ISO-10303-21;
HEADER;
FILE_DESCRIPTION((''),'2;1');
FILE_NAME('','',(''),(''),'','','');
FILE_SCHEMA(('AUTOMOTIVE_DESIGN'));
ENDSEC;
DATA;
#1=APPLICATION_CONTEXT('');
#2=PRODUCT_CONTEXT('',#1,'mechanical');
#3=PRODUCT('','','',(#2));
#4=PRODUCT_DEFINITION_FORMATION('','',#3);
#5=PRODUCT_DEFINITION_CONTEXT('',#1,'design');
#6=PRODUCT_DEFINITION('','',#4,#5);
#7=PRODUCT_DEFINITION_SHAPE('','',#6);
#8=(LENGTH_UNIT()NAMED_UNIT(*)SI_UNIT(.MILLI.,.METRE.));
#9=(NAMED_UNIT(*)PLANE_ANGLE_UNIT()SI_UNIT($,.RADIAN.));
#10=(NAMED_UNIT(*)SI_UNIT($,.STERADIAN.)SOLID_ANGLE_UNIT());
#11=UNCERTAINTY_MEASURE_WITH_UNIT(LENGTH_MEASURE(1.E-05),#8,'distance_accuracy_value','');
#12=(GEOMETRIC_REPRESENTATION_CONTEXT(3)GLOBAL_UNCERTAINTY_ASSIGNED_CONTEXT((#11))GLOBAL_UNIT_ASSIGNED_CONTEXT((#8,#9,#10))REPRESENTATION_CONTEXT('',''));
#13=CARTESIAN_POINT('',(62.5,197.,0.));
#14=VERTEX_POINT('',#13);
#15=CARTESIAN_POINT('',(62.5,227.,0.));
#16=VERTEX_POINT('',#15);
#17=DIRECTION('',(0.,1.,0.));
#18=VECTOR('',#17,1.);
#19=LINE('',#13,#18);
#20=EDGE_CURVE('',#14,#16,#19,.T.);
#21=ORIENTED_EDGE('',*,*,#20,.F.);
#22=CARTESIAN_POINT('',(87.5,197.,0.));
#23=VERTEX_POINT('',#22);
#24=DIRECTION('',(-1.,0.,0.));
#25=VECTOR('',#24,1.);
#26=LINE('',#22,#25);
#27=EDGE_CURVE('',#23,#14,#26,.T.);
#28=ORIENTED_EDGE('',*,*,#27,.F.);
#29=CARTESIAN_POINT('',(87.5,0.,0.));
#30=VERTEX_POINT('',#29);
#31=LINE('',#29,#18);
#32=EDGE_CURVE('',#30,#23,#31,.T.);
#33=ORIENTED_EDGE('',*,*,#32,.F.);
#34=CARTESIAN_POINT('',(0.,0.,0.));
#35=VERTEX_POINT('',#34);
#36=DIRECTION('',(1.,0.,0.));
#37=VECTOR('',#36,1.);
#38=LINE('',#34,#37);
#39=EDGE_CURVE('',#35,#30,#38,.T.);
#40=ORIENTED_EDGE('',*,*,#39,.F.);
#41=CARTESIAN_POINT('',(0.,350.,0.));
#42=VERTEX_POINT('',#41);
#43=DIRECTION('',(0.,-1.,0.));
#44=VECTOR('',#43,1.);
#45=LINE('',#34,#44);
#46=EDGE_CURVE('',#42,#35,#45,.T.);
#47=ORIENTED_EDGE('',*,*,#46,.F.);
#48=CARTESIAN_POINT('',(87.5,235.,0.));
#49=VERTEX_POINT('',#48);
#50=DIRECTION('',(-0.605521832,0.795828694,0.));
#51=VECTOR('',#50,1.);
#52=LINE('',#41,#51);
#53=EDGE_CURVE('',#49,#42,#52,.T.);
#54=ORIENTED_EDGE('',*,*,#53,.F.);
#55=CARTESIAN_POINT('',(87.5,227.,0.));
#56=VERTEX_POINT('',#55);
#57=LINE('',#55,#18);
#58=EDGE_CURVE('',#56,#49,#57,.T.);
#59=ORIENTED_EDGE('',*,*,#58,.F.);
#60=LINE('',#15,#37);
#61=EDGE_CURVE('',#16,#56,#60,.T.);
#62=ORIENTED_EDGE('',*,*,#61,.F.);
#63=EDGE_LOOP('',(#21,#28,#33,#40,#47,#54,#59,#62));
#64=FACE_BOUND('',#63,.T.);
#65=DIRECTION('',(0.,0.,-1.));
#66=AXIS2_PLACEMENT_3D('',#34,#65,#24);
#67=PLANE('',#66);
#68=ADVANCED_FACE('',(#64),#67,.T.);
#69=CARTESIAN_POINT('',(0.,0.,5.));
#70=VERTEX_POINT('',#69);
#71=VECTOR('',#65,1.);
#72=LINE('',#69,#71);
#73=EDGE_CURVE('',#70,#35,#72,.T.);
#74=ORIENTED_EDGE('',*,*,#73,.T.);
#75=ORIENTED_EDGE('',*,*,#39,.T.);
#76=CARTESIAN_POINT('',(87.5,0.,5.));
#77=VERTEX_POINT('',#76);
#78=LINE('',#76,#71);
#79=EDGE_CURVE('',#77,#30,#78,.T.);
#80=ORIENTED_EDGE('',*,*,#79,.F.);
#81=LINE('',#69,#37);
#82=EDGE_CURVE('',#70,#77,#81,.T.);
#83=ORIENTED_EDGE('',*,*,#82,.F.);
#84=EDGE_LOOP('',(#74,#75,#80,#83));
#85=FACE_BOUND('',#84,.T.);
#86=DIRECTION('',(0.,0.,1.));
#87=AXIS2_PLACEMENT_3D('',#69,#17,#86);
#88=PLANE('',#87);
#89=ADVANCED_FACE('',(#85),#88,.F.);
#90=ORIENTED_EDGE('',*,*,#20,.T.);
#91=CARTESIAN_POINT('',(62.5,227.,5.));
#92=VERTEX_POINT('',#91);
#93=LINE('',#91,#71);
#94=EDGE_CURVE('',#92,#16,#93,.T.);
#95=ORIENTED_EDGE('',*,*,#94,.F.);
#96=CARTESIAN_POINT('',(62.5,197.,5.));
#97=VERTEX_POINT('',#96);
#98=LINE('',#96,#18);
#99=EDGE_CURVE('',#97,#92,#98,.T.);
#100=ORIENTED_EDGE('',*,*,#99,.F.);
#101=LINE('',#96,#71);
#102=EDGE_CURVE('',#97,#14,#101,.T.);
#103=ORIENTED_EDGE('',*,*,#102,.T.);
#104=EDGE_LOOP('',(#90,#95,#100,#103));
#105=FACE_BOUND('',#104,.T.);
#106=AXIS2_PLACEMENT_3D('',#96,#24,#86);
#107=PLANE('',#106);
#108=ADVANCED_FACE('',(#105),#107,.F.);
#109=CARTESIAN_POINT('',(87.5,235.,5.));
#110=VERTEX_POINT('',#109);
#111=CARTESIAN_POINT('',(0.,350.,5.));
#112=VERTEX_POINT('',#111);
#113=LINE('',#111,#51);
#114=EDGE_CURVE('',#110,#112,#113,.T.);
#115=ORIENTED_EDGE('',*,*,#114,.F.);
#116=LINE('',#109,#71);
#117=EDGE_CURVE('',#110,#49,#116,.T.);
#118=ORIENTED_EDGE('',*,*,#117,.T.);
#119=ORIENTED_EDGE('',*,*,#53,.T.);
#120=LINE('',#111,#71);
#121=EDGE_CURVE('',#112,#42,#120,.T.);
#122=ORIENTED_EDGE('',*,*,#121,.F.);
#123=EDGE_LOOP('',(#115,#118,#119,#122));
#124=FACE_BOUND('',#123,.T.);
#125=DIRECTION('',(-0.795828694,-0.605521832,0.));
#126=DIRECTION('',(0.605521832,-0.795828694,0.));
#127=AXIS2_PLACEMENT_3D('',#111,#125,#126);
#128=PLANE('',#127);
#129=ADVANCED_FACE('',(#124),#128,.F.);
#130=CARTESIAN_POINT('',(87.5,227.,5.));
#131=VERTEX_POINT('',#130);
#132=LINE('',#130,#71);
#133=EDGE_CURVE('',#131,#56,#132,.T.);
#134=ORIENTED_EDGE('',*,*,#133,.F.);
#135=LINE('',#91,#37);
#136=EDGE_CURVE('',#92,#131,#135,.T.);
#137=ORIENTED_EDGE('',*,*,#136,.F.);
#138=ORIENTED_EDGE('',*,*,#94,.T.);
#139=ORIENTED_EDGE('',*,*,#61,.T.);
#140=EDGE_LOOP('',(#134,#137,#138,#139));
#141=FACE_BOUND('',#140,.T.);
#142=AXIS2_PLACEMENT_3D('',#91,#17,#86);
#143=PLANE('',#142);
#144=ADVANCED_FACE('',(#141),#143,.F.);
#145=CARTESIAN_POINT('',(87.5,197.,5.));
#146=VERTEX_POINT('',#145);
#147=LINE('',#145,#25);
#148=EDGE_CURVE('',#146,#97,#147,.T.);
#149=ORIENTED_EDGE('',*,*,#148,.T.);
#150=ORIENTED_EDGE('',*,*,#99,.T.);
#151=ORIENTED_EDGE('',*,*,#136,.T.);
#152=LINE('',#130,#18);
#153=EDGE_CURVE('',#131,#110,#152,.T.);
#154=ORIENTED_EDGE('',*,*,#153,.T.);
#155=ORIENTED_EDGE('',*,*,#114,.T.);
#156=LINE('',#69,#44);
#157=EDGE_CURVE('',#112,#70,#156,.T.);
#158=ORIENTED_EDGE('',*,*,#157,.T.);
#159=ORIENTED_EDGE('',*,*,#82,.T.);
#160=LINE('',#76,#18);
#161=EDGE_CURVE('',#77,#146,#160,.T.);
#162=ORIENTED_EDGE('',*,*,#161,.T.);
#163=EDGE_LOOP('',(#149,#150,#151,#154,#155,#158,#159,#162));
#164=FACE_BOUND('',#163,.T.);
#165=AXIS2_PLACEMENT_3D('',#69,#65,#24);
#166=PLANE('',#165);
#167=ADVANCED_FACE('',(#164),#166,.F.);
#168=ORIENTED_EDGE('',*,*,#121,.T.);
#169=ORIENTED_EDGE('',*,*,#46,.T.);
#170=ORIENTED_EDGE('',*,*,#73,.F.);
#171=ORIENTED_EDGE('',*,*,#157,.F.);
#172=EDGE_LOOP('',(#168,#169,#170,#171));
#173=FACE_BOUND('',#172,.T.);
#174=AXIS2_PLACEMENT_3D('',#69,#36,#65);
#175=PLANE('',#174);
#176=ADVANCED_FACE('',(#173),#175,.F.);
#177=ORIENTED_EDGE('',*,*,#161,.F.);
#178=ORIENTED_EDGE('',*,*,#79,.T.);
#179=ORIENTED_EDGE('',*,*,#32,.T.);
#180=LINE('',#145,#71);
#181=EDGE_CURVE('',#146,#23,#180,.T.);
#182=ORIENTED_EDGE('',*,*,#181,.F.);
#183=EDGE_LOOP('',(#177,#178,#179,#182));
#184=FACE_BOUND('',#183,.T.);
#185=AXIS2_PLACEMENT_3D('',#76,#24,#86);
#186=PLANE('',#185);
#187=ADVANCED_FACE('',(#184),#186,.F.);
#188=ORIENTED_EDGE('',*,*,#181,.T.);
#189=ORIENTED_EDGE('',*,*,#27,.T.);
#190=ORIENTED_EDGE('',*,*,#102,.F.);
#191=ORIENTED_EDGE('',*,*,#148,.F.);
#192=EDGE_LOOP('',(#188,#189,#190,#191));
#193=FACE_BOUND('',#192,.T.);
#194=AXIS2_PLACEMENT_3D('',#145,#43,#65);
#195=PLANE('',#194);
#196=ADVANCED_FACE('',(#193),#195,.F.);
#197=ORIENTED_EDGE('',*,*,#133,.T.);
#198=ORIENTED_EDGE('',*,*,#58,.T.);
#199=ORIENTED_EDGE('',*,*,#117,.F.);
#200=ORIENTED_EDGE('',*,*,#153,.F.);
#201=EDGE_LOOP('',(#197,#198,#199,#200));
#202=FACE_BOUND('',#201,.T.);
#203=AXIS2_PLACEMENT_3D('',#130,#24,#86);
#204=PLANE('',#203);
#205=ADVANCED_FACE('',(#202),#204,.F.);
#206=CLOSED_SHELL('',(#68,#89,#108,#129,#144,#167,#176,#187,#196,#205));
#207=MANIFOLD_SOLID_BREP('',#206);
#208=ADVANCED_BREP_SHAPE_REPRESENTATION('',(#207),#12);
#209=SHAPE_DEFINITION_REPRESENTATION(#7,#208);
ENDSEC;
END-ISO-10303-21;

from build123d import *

# Parameters (mm, degrees)
BOSS_EXTRUDE1_DEPTH = 5


with BuildPart() as part:
    # Sketch1 → Boss-Extrude1 (new body)
    with BuildSketch(Plane.XY):
        Polygon((0, 350), (87.5, 235), (87.5, 227), (62.5, 227), (62.5, 197), (87.5, 197), (87.5, 0), (0, 0), align=None)
    extrude(amount=BOSS_EXTRUDE1_DEPTH)


solid = part.part
